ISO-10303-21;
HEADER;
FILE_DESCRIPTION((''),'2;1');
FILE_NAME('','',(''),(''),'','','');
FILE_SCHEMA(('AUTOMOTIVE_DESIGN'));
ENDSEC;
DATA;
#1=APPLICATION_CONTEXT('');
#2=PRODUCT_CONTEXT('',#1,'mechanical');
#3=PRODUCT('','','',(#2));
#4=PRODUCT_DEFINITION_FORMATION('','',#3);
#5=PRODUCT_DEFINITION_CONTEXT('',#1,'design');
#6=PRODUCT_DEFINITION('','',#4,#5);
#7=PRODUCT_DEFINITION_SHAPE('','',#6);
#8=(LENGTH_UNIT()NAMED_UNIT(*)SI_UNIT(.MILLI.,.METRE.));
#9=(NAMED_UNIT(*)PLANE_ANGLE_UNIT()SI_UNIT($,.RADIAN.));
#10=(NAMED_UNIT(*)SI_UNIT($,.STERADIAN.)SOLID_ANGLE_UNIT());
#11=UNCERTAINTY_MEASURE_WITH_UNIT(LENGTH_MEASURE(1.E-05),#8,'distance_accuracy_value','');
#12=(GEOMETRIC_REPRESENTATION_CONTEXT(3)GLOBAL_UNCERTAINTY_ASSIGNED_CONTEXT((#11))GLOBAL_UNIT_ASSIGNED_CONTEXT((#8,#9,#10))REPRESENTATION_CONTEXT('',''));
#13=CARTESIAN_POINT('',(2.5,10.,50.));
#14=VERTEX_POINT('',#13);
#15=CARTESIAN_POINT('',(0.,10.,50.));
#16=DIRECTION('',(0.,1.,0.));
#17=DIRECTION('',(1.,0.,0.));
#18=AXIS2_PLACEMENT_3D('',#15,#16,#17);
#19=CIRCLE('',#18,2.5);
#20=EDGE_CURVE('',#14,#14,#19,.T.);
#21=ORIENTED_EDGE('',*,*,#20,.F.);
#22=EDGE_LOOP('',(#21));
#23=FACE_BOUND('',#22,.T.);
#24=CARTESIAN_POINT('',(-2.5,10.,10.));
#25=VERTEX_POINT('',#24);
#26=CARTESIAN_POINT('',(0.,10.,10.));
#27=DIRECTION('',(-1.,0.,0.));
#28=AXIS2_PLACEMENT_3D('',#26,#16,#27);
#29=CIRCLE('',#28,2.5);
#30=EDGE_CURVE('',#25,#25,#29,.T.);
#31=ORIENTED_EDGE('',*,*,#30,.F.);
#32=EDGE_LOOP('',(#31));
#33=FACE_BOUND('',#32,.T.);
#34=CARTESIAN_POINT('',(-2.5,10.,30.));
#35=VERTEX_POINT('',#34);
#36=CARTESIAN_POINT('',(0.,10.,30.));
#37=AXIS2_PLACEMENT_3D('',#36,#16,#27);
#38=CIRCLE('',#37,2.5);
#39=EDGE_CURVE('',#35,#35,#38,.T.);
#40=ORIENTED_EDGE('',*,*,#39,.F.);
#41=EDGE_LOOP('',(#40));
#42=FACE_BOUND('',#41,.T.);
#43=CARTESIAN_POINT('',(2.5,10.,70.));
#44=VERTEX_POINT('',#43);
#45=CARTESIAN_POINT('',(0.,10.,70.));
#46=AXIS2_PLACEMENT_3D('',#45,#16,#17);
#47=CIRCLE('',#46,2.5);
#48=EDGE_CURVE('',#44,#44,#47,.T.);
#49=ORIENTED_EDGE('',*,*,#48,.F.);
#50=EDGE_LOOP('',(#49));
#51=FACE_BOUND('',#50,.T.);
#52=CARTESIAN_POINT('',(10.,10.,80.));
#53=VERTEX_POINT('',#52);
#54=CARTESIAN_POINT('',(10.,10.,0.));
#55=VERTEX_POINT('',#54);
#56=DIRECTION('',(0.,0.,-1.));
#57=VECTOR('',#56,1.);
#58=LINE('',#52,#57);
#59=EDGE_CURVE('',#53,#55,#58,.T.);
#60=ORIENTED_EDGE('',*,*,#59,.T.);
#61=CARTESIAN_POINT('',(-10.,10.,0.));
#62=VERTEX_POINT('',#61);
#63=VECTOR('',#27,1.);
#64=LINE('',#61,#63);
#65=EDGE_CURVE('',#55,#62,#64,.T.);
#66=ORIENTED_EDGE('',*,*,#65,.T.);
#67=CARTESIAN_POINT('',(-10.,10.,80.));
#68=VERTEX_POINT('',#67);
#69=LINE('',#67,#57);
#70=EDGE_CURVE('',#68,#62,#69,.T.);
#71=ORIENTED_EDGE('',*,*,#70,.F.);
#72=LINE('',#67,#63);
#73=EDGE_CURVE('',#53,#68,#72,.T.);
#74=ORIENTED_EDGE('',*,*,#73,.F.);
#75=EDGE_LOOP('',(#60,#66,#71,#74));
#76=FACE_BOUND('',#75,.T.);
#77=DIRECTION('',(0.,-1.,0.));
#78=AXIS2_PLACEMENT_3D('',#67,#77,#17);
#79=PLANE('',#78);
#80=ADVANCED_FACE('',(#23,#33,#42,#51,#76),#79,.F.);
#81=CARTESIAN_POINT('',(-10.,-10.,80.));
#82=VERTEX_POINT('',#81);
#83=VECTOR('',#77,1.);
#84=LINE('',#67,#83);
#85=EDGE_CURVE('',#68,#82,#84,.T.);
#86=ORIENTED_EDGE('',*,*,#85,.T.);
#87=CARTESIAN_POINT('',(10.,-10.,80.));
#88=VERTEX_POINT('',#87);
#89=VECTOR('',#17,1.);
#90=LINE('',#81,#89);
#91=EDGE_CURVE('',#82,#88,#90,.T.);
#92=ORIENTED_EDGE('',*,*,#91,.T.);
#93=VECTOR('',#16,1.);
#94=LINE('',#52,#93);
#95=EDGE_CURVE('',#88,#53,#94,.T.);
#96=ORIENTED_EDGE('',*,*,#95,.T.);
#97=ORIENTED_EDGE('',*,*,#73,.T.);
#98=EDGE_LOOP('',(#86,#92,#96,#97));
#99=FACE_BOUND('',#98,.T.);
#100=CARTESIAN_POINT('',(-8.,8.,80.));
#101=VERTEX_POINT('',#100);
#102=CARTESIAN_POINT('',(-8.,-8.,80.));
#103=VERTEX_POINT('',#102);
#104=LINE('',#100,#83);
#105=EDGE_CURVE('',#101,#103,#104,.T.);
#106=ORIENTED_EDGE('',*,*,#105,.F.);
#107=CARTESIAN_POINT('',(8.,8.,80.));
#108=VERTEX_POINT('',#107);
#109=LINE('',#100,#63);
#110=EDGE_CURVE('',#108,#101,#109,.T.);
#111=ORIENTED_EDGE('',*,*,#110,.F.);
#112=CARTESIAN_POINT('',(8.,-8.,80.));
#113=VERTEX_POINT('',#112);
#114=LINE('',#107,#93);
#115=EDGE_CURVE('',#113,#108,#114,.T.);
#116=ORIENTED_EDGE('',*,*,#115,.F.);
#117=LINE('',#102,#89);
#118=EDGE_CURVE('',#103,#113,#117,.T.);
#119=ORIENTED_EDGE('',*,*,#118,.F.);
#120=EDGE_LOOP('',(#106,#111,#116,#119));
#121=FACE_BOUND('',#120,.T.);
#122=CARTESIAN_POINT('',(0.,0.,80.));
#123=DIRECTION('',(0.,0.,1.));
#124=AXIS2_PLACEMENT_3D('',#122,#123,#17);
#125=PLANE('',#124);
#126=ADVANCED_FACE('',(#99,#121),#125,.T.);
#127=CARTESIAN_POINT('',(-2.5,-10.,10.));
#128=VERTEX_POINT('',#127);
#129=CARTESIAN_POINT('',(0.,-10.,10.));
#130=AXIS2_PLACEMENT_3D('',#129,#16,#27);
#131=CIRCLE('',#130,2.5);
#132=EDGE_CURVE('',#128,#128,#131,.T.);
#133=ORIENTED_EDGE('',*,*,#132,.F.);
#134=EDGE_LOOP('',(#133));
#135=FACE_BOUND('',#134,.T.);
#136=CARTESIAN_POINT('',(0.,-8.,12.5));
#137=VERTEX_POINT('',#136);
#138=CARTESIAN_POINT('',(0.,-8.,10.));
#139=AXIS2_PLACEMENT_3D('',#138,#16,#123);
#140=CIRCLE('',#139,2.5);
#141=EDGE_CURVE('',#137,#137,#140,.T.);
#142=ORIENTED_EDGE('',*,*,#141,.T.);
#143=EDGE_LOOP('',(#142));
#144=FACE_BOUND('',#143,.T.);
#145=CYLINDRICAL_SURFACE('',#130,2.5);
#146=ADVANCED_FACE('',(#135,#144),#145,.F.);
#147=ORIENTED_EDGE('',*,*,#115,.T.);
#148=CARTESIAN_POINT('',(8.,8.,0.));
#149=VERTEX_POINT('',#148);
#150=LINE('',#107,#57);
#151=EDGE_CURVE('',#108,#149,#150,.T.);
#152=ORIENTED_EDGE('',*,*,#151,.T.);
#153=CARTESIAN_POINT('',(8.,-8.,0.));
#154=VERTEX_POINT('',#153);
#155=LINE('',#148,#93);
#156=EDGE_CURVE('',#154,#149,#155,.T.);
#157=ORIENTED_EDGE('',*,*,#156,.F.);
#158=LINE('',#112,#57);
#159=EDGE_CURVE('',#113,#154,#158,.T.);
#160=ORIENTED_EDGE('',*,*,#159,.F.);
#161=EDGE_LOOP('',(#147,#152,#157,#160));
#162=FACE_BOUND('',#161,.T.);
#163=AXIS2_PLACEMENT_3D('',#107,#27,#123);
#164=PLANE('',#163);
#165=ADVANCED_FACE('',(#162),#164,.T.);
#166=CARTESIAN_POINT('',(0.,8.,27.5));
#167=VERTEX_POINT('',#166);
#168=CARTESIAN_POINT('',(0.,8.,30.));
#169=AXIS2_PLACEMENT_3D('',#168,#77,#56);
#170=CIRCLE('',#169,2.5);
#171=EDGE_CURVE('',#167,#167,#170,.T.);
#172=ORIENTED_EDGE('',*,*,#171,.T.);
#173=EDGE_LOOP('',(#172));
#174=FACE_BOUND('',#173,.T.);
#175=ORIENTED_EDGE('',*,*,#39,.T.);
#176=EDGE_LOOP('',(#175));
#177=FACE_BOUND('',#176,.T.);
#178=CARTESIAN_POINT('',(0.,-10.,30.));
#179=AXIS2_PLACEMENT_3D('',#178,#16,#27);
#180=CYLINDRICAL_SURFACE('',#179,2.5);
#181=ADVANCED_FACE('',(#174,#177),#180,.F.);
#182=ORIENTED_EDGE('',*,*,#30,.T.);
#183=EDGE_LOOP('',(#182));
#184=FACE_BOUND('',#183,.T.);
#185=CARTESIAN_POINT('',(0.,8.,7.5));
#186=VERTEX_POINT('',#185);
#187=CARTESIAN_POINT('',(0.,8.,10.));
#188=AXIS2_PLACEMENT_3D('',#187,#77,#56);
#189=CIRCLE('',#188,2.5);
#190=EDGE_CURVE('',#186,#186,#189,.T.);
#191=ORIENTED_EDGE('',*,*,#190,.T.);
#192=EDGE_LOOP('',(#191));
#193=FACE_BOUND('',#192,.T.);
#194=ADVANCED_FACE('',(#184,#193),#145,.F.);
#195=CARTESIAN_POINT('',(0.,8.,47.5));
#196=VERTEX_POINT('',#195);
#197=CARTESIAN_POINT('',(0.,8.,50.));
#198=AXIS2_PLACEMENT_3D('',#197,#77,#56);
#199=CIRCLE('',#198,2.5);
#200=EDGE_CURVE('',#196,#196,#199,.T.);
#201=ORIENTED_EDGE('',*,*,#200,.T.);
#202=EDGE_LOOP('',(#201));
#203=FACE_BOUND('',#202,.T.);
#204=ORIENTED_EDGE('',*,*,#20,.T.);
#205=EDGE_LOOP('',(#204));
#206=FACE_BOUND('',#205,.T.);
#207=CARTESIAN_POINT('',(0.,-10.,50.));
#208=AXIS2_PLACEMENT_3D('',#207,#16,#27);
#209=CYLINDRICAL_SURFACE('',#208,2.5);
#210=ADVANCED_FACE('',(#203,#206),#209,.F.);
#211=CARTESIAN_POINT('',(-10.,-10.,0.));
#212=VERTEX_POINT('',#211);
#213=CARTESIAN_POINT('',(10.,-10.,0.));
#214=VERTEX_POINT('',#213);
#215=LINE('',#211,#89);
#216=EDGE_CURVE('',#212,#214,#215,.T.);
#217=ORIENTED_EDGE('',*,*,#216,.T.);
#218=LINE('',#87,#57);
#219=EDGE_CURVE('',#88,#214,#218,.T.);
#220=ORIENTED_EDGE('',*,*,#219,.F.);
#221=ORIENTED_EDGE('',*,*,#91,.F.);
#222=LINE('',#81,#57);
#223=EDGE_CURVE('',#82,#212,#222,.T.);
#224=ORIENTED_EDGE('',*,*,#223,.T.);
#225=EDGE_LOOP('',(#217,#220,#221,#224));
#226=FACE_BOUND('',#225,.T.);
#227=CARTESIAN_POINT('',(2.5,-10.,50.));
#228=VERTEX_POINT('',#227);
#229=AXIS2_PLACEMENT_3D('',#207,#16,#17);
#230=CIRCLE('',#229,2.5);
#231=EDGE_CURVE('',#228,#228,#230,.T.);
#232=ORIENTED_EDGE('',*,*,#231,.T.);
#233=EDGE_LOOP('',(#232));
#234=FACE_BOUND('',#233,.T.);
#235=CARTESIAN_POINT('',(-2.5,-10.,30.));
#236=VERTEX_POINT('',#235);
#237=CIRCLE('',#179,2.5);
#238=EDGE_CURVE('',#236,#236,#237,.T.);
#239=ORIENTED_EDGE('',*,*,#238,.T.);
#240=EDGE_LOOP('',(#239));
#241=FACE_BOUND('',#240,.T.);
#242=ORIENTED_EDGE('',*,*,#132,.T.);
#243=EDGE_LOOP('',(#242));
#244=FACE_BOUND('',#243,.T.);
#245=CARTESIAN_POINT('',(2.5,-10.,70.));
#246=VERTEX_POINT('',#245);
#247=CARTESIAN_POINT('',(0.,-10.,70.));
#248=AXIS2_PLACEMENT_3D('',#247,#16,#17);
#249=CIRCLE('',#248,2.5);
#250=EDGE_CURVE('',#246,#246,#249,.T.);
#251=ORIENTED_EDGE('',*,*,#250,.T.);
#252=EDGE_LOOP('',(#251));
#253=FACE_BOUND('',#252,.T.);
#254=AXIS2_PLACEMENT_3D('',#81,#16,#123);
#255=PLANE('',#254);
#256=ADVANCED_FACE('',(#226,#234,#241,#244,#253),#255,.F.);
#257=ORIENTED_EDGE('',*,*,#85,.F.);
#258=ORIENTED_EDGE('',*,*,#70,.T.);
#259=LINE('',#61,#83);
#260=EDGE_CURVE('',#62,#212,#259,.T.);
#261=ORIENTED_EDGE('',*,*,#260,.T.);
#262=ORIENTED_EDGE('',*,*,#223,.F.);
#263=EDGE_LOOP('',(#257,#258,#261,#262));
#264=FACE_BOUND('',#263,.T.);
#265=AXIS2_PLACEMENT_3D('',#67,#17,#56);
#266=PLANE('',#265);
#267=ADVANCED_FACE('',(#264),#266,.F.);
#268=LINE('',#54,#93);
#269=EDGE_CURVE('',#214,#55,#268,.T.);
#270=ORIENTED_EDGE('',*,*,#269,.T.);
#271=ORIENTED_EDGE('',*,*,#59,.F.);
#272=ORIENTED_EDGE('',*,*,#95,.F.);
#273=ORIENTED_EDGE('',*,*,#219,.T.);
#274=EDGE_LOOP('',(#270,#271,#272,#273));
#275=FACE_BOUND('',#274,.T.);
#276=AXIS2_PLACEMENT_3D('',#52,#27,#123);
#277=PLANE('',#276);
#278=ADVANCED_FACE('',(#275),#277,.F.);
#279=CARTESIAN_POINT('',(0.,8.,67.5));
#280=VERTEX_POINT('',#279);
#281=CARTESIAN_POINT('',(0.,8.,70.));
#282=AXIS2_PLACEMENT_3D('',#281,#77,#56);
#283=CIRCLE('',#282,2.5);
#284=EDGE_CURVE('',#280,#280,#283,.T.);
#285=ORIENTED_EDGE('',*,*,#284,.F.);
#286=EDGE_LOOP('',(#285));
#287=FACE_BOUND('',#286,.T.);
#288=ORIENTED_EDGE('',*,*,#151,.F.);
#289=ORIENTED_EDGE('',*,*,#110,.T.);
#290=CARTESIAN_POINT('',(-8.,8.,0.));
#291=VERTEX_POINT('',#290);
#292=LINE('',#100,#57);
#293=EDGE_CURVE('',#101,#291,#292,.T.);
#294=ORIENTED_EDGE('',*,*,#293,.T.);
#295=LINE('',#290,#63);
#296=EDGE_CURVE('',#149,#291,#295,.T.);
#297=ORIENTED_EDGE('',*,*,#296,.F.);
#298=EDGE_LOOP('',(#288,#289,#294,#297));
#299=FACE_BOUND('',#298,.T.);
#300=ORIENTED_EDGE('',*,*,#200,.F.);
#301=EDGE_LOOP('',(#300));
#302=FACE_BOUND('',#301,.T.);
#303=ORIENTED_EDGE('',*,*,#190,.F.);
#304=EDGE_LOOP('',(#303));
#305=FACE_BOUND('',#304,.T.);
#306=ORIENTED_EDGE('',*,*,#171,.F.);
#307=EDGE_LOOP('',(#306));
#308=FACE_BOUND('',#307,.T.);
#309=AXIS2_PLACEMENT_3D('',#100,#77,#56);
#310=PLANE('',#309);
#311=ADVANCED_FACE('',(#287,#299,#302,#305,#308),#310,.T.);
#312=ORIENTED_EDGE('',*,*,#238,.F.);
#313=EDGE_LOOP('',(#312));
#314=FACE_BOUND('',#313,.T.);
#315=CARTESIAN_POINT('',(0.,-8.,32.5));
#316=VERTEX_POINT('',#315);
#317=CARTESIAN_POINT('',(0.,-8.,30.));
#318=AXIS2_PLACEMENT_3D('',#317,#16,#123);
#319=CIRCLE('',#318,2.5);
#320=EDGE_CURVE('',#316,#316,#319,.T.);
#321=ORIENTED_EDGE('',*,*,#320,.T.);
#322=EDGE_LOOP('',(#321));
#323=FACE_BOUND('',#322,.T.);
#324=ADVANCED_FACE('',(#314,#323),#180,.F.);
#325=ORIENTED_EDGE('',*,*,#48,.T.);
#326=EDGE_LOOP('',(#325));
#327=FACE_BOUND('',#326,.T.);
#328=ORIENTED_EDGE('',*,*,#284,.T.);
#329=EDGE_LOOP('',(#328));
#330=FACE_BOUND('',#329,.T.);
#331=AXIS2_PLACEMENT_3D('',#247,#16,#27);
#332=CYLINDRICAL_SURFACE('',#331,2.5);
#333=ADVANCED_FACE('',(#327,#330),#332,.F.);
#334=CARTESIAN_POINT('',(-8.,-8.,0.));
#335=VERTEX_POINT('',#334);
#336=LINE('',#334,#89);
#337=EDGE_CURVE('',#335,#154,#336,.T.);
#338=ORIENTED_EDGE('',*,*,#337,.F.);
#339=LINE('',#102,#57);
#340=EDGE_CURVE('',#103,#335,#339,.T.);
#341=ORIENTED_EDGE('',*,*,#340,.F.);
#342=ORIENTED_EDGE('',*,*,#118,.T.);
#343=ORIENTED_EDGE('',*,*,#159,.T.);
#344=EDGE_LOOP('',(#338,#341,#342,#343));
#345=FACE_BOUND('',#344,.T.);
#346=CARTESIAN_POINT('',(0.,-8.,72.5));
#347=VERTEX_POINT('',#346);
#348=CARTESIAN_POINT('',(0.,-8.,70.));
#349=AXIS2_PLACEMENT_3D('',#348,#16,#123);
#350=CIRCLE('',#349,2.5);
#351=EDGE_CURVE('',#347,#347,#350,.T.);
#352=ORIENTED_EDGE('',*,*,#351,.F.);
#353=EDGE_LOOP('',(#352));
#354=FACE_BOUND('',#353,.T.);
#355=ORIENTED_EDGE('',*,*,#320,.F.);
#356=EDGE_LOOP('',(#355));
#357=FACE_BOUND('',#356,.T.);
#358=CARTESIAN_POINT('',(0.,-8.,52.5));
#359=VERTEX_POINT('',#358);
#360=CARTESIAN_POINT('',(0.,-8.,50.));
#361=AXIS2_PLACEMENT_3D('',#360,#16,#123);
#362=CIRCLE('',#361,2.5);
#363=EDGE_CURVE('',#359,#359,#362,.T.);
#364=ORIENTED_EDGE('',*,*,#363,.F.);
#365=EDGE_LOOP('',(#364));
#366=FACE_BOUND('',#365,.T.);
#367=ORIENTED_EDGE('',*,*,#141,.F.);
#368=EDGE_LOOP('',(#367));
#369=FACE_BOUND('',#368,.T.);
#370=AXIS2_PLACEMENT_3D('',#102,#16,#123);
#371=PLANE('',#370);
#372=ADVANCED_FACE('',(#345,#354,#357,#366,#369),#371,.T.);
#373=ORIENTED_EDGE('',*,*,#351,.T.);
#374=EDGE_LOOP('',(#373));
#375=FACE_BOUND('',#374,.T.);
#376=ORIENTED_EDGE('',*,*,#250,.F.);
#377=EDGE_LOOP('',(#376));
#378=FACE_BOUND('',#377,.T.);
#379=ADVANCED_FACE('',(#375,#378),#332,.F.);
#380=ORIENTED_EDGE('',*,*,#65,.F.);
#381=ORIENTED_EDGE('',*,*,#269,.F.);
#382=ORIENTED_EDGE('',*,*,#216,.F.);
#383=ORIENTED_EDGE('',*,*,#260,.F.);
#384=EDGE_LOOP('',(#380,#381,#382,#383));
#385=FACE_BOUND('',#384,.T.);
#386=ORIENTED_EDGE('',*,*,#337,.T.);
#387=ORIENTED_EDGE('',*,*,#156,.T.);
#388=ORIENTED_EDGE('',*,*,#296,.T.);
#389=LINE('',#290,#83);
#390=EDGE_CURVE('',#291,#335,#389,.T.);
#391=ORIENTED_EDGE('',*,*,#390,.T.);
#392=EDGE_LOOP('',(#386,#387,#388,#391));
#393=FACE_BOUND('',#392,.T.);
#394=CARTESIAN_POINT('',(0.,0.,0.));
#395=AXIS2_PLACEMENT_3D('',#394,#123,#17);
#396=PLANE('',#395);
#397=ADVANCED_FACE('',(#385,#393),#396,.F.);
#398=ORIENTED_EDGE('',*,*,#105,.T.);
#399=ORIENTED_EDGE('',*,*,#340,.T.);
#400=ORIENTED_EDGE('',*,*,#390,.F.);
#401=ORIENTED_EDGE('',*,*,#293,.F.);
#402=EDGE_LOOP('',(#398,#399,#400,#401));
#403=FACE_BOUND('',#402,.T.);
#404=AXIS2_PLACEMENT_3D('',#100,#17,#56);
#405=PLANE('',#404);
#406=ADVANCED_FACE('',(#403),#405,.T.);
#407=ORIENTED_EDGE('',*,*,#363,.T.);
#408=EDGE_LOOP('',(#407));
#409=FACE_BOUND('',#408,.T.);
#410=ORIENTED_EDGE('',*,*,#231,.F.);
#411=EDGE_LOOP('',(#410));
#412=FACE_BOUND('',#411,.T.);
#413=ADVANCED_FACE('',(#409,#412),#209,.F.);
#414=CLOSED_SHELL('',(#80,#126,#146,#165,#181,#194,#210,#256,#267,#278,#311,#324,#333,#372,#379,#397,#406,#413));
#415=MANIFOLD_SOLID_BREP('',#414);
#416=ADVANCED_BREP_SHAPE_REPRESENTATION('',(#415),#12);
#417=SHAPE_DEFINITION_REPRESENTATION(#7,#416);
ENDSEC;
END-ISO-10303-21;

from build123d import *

# Parameters (mm, degrees)
SKETCH1_W           = 20
SKETCH1_H           = 20
SKETCH1_W_2         = 16
SKETCH1_H_2         = 16
BOSS_EXTRUDE1_DEPTH = 80
SKETCH2_R           = 2.5
CUT_EXTRUDE1_DEPTH  = 84.066238629


with BuildPart() as part:
    # Sketch1 → Boss-Extrude1 (new body)
    with BuildSketch(Plane.XY):
        Rectangle(SKETCH1_W, SKETCH1_H)
        Rectangle(SKETCH1_W_2, SKETCH1_H_2, mode=Mode.SUBTRACT)
    extrude(amount=BOSS_EXTRUDE1_DEPTH)

    # Sketch2 → Cut-Extrude1 (cut, through all)
    with BuildSketch(Plane(origin=(0, 10, 0), x_dir=(1, 0, 0), z_dir=(0, 1, 0))):
        with Locations(Location((0, -10, 0), (0, 0, 180))):
            Circle(SKETCH2_R)
        with Locations(Location((0, -30, 0), (0, 0, 180))):
            Circle(SKETCH2_R)
        with Locations(Location((0, -50, 0), (0, 0, 270))):
            Circle(SKETCH2_R)
        with Locations(Location((0, -70, 0), (0, 0, 270))):
            Circle(SKETCH2_R)
    extrude(amount=-CUT_EXTRUDE1_DEPTH, mode=Mode.SUBTRACT)


solid = part.part
